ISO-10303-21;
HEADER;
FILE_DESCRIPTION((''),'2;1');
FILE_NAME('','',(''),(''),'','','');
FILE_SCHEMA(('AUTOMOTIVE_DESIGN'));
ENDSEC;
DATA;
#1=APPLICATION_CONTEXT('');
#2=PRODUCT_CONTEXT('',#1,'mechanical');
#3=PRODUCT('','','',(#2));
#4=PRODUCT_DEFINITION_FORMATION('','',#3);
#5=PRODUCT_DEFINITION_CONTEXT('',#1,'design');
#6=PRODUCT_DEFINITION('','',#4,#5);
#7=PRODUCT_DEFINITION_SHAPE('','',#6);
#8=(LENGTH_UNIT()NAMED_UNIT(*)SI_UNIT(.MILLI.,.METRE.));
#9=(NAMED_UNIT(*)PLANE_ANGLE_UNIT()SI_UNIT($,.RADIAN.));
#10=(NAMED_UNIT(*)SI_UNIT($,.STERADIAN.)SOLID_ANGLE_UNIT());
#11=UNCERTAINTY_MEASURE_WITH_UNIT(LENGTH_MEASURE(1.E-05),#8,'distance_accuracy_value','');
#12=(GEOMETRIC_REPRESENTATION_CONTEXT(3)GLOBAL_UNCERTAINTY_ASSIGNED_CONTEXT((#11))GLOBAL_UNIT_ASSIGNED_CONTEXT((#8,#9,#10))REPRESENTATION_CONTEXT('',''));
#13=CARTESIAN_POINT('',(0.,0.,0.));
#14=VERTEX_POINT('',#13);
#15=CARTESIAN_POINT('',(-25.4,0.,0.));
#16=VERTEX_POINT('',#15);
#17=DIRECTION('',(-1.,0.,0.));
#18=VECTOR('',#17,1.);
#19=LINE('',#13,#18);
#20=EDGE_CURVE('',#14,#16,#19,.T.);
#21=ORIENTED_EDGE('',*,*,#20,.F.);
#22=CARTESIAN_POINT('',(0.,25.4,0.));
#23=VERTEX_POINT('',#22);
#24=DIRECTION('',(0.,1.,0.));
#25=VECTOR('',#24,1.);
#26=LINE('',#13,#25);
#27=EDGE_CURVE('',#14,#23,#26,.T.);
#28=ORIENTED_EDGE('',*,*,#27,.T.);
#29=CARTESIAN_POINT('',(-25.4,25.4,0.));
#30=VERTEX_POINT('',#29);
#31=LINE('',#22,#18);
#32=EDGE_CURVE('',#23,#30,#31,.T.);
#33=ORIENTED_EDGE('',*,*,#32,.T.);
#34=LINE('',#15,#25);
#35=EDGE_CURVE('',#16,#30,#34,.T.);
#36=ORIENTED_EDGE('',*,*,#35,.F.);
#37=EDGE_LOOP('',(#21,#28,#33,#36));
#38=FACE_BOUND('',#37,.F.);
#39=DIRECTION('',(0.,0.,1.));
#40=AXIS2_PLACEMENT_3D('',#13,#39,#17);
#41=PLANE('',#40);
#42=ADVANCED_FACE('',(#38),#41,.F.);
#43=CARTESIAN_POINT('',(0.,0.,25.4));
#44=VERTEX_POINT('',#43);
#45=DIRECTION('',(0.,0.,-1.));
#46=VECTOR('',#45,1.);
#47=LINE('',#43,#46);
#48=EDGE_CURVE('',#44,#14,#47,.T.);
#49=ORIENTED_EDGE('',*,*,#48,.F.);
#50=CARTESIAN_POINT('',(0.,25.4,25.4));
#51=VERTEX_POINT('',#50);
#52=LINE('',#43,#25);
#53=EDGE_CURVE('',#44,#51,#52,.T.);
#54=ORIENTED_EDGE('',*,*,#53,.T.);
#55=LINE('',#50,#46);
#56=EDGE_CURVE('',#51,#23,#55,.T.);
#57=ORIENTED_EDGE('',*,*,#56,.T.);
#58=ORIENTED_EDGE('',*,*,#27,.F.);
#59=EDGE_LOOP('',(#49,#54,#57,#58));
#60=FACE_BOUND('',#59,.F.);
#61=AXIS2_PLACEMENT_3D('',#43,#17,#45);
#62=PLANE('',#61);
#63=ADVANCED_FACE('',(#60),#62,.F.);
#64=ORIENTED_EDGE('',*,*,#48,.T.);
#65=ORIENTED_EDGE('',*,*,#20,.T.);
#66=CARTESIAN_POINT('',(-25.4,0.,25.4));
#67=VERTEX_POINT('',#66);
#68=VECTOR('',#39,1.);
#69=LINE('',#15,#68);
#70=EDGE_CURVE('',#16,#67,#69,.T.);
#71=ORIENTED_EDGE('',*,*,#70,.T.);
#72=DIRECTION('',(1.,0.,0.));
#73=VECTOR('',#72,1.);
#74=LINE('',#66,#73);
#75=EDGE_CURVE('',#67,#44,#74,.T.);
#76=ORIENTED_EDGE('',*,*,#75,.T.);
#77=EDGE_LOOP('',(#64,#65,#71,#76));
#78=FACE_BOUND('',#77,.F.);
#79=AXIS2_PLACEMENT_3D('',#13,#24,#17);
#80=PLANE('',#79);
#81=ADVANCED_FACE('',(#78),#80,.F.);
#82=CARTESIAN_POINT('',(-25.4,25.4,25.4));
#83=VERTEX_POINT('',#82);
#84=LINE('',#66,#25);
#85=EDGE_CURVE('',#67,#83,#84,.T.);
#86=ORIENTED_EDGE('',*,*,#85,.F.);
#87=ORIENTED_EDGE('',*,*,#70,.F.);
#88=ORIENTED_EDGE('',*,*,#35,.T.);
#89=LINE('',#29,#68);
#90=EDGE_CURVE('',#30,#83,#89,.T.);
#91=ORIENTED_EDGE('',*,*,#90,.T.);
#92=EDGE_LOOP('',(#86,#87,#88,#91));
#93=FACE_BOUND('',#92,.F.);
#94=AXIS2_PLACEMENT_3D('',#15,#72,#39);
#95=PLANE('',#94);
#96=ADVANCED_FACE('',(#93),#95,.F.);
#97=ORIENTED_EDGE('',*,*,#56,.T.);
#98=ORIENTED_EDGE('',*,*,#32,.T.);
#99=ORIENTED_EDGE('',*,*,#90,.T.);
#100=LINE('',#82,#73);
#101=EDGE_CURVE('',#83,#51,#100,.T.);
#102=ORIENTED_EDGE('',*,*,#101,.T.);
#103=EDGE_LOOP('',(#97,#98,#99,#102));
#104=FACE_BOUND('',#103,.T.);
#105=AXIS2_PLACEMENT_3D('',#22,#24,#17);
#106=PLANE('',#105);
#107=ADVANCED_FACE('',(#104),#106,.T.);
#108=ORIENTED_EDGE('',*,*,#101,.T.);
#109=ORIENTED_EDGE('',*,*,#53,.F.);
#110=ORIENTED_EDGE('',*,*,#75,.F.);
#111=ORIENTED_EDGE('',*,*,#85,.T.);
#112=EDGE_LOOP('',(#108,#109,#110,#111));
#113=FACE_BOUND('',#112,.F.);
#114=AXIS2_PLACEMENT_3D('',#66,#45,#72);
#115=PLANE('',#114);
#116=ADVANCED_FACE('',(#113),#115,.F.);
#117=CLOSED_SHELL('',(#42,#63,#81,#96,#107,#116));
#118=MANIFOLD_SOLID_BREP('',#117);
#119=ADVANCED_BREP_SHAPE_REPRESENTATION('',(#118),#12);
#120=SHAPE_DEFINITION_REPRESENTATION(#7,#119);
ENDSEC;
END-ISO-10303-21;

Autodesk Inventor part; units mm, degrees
ref_plane "YZ Plane" through (0, 0, 0) normal (1, 0, 0) x (0, 1, 0)
ref_plane "XZ Plane" through (0, 0, 0) normal (0, 1, 0) x (-1, 0, 0)
ref_plane "XY Plane" through (0, 0, 0) normal (0, 0, 1) x (1, 0, 0)
sketch "Sketch1" plane through (0, 0, 0) normal (0, 1, 0) x (-1, 0, 0)
  line L0 (0, 0) -> (25.4, 0)
  line L1 (25.4, 0) -> (25.4, 25.4)
  line L2 (25.4, 25.4) -> (0, 25.4)
  line L3 (0, 25.4) -> (0, 0)
  dimension "d0" = 25.4
  dimension "d1" = 25.4
extrude "Extrusion1" add sketch "Sketch1" along normal blind 25.4
properties part number "Bolt Block 2"
